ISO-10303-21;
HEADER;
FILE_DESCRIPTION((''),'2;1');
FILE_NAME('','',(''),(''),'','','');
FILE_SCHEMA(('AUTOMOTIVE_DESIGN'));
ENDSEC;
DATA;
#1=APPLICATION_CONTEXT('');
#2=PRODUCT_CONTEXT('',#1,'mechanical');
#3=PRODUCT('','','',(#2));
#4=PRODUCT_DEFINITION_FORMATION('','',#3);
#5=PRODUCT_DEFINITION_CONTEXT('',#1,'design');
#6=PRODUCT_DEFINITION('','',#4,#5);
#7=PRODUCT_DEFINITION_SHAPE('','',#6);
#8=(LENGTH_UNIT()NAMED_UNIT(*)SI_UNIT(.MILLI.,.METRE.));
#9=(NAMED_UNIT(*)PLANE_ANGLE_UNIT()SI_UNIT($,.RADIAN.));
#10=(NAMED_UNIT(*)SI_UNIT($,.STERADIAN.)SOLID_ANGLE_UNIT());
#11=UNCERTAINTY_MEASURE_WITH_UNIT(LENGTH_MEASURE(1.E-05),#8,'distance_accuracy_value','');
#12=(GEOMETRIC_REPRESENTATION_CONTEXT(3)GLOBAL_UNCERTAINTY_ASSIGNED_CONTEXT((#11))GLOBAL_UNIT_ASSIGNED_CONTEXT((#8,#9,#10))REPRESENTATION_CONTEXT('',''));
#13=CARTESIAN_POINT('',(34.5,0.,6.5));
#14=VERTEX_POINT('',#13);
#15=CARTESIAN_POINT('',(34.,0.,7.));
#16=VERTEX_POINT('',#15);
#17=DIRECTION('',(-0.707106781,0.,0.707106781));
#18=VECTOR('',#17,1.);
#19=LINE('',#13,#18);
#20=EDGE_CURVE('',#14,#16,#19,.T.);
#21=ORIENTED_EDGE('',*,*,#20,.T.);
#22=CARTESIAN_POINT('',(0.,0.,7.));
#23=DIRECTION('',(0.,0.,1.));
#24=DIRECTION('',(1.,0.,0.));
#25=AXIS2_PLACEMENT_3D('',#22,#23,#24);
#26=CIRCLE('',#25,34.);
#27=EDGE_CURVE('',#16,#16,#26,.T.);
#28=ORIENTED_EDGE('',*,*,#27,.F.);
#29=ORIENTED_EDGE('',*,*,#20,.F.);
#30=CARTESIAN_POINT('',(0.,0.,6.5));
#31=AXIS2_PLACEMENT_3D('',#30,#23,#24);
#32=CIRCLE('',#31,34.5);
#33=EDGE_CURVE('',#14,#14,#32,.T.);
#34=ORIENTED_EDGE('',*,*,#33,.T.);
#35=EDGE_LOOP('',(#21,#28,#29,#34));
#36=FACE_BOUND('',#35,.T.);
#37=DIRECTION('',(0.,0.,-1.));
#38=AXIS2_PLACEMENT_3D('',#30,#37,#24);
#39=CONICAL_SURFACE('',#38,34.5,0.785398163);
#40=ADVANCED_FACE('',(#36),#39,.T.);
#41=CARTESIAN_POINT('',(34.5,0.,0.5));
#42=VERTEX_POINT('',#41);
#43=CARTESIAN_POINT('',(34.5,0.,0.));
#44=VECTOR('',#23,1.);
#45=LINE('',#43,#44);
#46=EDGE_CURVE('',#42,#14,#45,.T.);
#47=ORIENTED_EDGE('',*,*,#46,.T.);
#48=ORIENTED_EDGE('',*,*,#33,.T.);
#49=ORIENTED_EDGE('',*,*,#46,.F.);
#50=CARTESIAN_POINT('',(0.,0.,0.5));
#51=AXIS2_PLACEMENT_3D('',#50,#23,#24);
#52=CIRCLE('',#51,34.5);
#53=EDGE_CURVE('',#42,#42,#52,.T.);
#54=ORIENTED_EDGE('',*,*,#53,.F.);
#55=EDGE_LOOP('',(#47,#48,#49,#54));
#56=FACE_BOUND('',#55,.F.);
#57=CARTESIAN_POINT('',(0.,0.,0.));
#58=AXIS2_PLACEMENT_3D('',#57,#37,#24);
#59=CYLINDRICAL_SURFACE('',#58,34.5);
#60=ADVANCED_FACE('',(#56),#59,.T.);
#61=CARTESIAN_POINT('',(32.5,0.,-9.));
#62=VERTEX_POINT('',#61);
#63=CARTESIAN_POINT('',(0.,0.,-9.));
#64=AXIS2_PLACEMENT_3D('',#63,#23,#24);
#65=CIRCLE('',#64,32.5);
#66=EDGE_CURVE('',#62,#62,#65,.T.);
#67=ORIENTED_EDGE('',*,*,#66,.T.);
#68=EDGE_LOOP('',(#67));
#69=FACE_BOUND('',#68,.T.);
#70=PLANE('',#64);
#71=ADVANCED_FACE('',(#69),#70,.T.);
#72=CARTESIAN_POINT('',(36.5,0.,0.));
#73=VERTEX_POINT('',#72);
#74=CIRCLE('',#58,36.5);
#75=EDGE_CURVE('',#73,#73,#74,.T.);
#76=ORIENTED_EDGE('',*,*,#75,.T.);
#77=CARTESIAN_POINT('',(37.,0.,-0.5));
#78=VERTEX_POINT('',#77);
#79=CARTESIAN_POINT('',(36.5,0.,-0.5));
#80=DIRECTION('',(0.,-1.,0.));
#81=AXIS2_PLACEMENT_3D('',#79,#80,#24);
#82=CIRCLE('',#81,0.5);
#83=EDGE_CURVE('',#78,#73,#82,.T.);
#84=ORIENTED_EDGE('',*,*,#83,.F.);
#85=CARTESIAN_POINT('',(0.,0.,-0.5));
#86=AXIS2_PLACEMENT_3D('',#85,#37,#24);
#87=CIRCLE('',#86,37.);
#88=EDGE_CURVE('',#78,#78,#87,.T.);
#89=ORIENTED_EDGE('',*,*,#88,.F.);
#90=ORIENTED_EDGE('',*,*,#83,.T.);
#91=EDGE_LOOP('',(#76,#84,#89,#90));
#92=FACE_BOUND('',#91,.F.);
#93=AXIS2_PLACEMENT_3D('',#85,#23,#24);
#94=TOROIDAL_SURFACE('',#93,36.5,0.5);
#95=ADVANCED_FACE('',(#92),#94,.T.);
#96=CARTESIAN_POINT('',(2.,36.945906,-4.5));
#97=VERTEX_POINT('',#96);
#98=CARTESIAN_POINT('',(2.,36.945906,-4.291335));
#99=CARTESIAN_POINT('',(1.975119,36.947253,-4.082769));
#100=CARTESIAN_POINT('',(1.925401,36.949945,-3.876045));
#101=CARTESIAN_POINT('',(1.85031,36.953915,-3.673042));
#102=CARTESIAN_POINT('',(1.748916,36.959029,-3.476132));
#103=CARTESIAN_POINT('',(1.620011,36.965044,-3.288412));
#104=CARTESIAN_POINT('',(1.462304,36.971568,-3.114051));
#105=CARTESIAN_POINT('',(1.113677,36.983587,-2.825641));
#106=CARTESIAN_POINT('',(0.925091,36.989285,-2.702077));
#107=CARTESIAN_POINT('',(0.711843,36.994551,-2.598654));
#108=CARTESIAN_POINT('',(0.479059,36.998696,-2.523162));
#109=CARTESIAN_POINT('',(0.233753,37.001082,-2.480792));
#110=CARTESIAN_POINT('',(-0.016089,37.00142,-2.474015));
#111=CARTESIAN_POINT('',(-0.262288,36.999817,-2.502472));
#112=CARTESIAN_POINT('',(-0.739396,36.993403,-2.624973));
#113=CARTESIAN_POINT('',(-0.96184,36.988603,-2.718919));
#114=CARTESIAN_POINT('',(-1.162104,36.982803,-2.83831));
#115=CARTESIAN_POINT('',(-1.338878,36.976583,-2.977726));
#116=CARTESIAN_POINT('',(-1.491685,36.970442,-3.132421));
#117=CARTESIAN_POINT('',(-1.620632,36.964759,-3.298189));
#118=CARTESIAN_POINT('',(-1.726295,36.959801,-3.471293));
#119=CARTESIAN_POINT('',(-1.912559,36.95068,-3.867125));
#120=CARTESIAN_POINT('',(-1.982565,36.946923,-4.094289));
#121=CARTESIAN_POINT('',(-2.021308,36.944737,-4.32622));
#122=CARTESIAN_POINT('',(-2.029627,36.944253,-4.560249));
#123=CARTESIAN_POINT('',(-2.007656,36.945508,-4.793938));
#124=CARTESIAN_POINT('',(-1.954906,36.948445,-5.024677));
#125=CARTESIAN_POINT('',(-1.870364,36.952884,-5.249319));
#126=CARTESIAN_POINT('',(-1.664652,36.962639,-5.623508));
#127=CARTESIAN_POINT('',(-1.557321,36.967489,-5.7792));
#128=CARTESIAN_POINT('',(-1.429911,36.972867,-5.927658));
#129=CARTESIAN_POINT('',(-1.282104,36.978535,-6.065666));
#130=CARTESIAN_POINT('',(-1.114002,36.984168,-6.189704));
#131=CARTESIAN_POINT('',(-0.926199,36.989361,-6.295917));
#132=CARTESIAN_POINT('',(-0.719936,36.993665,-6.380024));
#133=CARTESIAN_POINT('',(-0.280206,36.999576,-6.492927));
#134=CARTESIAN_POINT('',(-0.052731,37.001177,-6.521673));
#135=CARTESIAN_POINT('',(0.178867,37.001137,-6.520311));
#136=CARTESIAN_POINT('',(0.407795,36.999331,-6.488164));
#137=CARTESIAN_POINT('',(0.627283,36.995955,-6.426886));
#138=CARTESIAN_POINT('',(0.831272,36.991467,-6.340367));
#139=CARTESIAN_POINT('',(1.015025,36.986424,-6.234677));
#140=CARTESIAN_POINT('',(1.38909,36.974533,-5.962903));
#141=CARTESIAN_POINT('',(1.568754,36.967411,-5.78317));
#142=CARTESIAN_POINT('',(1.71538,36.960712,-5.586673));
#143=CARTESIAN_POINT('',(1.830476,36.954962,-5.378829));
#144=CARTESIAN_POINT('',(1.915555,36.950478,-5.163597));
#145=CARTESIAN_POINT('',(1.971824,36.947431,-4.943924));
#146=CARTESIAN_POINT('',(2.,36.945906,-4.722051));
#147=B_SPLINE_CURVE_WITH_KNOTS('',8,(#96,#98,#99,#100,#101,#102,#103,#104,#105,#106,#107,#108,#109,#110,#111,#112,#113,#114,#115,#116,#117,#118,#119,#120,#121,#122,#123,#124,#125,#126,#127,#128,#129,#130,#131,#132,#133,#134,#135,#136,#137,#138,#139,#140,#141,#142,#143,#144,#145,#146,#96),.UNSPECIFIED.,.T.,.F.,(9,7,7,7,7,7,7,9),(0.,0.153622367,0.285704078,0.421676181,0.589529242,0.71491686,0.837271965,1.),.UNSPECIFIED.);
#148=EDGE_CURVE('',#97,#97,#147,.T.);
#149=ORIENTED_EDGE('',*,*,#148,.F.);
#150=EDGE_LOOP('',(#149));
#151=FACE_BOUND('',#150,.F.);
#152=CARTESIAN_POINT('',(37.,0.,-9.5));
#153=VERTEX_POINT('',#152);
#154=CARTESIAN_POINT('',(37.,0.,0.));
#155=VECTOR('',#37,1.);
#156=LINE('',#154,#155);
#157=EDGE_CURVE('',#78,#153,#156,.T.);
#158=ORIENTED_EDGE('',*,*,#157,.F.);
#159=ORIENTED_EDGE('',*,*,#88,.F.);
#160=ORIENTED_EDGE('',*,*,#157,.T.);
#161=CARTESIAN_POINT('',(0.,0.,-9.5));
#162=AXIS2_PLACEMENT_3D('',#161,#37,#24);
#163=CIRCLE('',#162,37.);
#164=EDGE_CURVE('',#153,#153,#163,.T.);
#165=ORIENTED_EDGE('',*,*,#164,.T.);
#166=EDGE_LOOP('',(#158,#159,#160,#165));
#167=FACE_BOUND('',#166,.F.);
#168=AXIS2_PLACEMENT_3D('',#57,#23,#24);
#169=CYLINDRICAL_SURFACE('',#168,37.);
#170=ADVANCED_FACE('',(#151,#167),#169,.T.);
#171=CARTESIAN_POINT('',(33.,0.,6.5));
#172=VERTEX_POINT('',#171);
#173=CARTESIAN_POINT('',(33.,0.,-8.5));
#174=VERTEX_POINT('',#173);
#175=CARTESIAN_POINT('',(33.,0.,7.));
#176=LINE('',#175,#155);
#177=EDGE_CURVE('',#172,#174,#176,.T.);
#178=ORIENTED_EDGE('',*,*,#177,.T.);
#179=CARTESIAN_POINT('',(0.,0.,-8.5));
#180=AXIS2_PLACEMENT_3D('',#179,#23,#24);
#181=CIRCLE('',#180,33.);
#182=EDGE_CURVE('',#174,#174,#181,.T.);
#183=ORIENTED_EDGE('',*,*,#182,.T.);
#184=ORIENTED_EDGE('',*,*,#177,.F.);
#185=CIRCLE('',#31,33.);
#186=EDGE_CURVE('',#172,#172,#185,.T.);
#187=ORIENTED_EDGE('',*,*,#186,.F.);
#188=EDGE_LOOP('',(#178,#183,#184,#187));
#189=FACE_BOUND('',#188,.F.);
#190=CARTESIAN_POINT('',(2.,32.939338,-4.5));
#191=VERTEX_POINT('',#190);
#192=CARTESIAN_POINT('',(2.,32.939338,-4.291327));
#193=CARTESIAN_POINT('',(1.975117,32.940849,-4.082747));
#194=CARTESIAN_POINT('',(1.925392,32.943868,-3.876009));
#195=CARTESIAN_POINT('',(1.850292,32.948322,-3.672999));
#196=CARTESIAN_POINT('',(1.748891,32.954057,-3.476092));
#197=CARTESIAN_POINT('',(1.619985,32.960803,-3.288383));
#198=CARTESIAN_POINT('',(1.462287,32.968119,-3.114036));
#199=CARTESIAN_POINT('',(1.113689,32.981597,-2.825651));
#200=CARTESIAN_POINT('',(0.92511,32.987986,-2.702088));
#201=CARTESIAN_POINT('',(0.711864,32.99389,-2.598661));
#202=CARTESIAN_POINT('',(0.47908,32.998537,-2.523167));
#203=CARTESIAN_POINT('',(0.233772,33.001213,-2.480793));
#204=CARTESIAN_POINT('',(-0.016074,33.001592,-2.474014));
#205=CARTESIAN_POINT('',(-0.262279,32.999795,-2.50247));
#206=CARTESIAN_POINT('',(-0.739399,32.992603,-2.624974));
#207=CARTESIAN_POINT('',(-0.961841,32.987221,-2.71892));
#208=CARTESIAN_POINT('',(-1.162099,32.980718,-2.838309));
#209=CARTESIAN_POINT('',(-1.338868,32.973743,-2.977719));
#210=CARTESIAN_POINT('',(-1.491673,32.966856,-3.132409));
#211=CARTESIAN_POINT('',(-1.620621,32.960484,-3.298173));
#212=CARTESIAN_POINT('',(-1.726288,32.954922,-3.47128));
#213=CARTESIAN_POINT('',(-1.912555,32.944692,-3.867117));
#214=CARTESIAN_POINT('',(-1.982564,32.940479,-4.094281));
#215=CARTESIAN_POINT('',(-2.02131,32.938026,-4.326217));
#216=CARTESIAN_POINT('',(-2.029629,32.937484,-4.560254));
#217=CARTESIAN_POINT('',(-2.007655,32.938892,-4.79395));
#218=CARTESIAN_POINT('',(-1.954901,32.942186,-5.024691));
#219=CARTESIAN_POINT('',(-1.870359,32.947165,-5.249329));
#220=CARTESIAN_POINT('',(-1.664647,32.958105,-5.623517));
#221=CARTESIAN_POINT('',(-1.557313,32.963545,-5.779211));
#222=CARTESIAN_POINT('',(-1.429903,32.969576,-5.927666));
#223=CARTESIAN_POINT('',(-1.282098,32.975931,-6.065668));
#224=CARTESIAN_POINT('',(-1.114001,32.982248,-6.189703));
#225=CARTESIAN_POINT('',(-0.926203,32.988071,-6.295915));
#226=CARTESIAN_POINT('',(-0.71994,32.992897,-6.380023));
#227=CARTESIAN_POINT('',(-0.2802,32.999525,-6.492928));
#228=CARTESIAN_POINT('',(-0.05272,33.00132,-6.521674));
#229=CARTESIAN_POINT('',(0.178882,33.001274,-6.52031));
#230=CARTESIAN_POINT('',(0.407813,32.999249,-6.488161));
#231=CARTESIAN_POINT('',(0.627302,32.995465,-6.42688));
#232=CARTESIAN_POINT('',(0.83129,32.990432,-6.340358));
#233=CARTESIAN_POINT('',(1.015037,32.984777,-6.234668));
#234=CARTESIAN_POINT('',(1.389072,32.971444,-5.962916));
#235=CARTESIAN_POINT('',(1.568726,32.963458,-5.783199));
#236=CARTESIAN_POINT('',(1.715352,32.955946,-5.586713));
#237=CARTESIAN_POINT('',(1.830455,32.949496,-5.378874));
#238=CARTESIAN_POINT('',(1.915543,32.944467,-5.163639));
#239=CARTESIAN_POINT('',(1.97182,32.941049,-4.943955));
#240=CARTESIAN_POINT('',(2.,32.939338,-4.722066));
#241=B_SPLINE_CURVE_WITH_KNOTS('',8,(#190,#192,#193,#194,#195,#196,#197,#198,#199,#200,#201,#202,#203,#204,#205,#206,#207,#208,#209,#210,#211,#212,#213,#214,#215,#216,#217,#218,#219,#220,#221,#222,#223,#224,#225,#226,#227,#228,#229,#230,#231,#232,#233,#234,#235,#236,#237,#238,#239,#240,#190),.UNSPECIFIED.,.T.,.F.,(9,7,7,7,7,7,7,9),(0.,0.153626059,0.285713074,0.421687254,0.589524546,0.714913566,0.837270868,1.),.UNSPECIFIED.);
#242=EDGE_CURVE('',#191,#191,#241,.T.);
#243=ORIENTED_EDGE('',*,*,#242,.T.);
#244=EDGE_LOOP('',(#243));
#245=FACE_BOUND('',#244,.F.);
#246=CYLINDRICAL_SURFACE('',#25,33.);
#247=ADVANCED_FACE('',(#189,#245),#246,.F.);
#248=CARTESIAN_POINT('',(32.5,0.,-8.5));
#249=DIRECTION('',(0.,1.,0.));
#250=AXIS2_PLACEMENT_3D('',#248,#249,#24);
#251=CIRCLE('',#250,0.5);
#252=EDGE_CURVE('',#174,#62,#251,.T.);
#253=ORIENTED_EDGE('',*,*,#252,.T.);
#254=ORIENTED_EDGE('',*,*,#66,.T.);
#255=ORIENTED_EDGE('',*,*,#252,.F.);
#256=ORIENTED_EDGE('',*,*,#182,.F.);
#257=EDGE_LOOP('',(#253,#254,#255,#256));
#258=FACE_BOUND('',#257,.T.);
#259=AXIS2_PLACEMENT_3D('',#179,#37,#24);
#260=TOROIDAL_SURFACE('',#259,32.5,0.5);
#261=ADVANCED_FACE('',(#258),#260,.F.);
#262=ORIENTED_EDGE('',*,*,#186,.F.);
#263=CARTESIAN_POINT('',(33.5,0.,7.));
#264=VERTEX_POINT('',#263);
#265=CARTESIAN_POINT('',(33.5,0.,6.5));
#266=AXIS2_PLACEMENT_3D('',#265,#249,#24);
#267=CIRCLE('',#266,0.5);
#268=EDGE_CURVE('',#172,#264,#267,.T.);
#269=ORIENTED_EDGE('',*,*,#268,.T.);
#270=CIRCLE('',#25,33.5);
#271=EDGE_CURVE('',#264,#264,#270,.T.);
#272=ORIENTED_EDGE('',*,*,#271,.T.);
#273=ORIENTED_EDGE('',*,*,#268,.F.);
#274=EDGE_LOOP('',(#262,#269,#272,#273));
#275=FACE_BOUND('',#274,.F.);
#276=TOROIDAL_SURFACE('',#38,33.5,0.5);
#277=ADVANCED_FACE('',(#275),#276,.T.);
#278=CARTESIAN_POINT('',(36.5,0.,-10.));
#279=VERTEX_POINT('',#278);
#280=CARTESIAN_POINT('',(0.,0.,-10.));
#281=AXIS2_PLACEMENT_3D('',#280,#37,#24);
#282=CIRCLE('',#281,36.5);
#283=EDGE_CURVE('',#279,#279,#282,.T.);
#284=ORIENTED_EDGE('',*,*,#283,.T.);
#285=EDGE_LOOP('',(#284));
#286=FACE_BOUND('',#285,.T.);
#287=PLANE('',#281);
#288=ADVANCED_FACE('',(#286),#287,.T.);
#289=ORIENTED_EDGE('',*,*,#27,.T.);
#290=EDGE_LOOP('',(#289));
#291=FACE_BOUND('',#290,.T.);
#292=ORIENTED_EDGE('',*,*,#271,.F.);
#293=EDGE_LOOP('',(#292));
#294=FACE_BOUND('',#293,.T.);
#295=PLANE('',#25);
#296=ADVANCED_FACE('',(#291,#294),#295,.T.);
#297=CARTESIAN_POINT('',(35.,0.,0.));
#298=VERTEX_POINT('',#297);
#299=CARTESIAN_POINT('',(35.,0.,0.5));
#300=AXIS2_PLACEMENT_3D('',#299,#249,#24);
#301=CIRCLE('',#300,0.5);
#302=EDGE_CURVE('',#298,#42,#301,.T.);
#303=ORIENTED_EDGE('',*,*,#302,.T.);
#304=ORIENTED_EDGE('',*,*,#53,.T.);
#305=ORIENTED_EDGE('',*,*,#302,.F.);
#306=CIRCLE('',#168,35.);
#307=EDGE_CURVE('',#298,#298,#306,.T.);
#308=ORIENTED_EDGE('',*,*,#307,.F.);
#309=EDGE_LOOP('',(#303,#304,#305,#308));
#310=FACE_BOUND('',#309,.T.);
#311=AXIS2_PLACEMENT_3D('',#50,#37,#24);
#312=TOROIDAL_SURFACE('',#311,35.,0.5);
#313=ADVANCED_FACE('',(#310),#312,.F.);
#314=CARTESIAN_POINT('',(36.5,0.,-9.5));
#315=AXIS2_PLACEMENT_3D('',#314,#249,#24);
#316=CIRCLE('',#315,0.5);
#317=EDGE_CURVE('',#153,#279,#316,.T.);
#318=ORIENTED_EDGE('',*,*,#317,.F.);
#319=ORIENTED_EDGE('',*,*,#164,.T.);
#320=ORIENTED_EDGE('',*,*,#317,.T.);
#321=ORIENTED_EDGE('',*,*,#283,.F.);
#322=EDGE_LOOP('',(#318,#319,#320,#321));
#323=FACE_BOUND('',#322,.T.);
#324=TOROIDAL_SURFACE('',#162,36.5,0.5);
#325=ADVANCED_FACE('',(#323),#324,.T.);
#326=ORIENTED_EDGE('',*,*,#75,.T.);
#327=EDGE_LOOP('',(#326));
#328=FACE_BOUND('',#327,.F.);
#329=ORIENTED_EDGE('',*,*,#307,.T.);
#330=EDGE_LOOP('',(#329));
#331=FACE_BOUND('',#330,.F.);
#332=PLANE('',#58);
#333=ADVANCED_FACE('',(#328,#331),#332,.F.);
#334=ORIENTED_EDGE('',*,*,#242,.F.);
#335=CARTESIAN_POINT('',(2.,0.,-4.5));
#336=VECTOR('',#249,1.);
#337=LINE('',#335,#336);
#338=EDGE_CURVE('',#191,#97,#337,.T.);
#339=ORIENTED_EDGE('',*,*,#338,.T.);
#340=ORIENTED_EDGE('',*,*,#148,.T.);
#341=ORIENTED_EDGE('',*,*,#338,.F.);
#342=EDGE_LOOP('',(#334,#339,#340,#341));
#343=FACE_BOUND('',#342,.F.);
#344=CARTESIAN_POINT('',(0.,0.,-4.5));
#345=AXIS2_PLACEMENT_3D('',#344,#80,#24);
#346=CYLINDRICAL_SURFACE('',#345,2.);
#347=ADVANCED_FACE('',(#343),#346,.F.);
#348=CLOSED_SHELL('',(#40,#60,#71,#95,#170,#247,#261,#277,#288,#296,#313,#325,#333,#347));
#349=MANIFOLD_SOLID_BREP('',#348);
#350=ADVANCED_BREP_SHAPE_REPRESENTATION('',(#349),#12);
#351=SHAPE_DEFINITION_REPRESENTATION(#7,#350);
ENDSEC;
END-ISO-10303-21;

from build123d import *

# Parameters (mm, degrees)
SKETCH_R        = 34.5
PAD_DEPTH       = 7
SKETCH001_R     = 37
PAD001_DEPTH    = 10
SKETCH002_R     = 33
POCKET_DEPTH    = 16
SKETCH003_R     = 2
POCKET001_DEPTH = 80
FILLET_R        = 0.5
CHAMFER_SIZE    = 0.5


with BuildPart() as part:
    # Sketch → Pad (new body)
    with BuildSketch(Plane.XY):
        Circle(SKETCH_R)
    extrude(amount=PAD_DEPTH)

    # Sketch001 (on Face2 of Pad) → Pad001 (join)
    with BuildSketch(Plane(origin=(0, 0, 0), x_dir=(1, 0, 0), z_dir=(0, 0, -1))):
        Circle(SKETCH001_R)
    extrude(amount=PAD001_DEPTH)

    # Sketch002 (on Face5 of Pad001) → Pocket (cut)
    with BuildSketch(Plane.XY.offset(7)):
        Circle(SKETCH002_R)
    extrude(amount=-POCKET_DEPTH, mode=Mode.SUBTRACT)

    # Sketch003 → Pocket001 (cut)
    with BuildSketch(Plane.XZ):
        with Locations((0, -4.5)):
            Circle(SKETCH003_R)
    extrude(amount=-POCKET001_DEPTH, mode=Mode.SUBTRACT)

    # Fillet
    fillet_edges = [part.edges().sort_by_distance(p)[0] for p in [
        (-33, 0, 7),
        (-34.5, 0, 0),
        (-37, 0, 0),
        (-37, 0, -10),
        (-33, 0, -9),
    ]]
    fillet(fillet_edges, radius=FILLET_R)

    # Chamfer
    chamfer_edges = [part.edges().sort_by_distance(p)[0] for p in [
        (-34.5, 0, 7),
    ]]
    chamfer(chamfer_edges, length=CHAMFER_SIZE)


solid = part.part
